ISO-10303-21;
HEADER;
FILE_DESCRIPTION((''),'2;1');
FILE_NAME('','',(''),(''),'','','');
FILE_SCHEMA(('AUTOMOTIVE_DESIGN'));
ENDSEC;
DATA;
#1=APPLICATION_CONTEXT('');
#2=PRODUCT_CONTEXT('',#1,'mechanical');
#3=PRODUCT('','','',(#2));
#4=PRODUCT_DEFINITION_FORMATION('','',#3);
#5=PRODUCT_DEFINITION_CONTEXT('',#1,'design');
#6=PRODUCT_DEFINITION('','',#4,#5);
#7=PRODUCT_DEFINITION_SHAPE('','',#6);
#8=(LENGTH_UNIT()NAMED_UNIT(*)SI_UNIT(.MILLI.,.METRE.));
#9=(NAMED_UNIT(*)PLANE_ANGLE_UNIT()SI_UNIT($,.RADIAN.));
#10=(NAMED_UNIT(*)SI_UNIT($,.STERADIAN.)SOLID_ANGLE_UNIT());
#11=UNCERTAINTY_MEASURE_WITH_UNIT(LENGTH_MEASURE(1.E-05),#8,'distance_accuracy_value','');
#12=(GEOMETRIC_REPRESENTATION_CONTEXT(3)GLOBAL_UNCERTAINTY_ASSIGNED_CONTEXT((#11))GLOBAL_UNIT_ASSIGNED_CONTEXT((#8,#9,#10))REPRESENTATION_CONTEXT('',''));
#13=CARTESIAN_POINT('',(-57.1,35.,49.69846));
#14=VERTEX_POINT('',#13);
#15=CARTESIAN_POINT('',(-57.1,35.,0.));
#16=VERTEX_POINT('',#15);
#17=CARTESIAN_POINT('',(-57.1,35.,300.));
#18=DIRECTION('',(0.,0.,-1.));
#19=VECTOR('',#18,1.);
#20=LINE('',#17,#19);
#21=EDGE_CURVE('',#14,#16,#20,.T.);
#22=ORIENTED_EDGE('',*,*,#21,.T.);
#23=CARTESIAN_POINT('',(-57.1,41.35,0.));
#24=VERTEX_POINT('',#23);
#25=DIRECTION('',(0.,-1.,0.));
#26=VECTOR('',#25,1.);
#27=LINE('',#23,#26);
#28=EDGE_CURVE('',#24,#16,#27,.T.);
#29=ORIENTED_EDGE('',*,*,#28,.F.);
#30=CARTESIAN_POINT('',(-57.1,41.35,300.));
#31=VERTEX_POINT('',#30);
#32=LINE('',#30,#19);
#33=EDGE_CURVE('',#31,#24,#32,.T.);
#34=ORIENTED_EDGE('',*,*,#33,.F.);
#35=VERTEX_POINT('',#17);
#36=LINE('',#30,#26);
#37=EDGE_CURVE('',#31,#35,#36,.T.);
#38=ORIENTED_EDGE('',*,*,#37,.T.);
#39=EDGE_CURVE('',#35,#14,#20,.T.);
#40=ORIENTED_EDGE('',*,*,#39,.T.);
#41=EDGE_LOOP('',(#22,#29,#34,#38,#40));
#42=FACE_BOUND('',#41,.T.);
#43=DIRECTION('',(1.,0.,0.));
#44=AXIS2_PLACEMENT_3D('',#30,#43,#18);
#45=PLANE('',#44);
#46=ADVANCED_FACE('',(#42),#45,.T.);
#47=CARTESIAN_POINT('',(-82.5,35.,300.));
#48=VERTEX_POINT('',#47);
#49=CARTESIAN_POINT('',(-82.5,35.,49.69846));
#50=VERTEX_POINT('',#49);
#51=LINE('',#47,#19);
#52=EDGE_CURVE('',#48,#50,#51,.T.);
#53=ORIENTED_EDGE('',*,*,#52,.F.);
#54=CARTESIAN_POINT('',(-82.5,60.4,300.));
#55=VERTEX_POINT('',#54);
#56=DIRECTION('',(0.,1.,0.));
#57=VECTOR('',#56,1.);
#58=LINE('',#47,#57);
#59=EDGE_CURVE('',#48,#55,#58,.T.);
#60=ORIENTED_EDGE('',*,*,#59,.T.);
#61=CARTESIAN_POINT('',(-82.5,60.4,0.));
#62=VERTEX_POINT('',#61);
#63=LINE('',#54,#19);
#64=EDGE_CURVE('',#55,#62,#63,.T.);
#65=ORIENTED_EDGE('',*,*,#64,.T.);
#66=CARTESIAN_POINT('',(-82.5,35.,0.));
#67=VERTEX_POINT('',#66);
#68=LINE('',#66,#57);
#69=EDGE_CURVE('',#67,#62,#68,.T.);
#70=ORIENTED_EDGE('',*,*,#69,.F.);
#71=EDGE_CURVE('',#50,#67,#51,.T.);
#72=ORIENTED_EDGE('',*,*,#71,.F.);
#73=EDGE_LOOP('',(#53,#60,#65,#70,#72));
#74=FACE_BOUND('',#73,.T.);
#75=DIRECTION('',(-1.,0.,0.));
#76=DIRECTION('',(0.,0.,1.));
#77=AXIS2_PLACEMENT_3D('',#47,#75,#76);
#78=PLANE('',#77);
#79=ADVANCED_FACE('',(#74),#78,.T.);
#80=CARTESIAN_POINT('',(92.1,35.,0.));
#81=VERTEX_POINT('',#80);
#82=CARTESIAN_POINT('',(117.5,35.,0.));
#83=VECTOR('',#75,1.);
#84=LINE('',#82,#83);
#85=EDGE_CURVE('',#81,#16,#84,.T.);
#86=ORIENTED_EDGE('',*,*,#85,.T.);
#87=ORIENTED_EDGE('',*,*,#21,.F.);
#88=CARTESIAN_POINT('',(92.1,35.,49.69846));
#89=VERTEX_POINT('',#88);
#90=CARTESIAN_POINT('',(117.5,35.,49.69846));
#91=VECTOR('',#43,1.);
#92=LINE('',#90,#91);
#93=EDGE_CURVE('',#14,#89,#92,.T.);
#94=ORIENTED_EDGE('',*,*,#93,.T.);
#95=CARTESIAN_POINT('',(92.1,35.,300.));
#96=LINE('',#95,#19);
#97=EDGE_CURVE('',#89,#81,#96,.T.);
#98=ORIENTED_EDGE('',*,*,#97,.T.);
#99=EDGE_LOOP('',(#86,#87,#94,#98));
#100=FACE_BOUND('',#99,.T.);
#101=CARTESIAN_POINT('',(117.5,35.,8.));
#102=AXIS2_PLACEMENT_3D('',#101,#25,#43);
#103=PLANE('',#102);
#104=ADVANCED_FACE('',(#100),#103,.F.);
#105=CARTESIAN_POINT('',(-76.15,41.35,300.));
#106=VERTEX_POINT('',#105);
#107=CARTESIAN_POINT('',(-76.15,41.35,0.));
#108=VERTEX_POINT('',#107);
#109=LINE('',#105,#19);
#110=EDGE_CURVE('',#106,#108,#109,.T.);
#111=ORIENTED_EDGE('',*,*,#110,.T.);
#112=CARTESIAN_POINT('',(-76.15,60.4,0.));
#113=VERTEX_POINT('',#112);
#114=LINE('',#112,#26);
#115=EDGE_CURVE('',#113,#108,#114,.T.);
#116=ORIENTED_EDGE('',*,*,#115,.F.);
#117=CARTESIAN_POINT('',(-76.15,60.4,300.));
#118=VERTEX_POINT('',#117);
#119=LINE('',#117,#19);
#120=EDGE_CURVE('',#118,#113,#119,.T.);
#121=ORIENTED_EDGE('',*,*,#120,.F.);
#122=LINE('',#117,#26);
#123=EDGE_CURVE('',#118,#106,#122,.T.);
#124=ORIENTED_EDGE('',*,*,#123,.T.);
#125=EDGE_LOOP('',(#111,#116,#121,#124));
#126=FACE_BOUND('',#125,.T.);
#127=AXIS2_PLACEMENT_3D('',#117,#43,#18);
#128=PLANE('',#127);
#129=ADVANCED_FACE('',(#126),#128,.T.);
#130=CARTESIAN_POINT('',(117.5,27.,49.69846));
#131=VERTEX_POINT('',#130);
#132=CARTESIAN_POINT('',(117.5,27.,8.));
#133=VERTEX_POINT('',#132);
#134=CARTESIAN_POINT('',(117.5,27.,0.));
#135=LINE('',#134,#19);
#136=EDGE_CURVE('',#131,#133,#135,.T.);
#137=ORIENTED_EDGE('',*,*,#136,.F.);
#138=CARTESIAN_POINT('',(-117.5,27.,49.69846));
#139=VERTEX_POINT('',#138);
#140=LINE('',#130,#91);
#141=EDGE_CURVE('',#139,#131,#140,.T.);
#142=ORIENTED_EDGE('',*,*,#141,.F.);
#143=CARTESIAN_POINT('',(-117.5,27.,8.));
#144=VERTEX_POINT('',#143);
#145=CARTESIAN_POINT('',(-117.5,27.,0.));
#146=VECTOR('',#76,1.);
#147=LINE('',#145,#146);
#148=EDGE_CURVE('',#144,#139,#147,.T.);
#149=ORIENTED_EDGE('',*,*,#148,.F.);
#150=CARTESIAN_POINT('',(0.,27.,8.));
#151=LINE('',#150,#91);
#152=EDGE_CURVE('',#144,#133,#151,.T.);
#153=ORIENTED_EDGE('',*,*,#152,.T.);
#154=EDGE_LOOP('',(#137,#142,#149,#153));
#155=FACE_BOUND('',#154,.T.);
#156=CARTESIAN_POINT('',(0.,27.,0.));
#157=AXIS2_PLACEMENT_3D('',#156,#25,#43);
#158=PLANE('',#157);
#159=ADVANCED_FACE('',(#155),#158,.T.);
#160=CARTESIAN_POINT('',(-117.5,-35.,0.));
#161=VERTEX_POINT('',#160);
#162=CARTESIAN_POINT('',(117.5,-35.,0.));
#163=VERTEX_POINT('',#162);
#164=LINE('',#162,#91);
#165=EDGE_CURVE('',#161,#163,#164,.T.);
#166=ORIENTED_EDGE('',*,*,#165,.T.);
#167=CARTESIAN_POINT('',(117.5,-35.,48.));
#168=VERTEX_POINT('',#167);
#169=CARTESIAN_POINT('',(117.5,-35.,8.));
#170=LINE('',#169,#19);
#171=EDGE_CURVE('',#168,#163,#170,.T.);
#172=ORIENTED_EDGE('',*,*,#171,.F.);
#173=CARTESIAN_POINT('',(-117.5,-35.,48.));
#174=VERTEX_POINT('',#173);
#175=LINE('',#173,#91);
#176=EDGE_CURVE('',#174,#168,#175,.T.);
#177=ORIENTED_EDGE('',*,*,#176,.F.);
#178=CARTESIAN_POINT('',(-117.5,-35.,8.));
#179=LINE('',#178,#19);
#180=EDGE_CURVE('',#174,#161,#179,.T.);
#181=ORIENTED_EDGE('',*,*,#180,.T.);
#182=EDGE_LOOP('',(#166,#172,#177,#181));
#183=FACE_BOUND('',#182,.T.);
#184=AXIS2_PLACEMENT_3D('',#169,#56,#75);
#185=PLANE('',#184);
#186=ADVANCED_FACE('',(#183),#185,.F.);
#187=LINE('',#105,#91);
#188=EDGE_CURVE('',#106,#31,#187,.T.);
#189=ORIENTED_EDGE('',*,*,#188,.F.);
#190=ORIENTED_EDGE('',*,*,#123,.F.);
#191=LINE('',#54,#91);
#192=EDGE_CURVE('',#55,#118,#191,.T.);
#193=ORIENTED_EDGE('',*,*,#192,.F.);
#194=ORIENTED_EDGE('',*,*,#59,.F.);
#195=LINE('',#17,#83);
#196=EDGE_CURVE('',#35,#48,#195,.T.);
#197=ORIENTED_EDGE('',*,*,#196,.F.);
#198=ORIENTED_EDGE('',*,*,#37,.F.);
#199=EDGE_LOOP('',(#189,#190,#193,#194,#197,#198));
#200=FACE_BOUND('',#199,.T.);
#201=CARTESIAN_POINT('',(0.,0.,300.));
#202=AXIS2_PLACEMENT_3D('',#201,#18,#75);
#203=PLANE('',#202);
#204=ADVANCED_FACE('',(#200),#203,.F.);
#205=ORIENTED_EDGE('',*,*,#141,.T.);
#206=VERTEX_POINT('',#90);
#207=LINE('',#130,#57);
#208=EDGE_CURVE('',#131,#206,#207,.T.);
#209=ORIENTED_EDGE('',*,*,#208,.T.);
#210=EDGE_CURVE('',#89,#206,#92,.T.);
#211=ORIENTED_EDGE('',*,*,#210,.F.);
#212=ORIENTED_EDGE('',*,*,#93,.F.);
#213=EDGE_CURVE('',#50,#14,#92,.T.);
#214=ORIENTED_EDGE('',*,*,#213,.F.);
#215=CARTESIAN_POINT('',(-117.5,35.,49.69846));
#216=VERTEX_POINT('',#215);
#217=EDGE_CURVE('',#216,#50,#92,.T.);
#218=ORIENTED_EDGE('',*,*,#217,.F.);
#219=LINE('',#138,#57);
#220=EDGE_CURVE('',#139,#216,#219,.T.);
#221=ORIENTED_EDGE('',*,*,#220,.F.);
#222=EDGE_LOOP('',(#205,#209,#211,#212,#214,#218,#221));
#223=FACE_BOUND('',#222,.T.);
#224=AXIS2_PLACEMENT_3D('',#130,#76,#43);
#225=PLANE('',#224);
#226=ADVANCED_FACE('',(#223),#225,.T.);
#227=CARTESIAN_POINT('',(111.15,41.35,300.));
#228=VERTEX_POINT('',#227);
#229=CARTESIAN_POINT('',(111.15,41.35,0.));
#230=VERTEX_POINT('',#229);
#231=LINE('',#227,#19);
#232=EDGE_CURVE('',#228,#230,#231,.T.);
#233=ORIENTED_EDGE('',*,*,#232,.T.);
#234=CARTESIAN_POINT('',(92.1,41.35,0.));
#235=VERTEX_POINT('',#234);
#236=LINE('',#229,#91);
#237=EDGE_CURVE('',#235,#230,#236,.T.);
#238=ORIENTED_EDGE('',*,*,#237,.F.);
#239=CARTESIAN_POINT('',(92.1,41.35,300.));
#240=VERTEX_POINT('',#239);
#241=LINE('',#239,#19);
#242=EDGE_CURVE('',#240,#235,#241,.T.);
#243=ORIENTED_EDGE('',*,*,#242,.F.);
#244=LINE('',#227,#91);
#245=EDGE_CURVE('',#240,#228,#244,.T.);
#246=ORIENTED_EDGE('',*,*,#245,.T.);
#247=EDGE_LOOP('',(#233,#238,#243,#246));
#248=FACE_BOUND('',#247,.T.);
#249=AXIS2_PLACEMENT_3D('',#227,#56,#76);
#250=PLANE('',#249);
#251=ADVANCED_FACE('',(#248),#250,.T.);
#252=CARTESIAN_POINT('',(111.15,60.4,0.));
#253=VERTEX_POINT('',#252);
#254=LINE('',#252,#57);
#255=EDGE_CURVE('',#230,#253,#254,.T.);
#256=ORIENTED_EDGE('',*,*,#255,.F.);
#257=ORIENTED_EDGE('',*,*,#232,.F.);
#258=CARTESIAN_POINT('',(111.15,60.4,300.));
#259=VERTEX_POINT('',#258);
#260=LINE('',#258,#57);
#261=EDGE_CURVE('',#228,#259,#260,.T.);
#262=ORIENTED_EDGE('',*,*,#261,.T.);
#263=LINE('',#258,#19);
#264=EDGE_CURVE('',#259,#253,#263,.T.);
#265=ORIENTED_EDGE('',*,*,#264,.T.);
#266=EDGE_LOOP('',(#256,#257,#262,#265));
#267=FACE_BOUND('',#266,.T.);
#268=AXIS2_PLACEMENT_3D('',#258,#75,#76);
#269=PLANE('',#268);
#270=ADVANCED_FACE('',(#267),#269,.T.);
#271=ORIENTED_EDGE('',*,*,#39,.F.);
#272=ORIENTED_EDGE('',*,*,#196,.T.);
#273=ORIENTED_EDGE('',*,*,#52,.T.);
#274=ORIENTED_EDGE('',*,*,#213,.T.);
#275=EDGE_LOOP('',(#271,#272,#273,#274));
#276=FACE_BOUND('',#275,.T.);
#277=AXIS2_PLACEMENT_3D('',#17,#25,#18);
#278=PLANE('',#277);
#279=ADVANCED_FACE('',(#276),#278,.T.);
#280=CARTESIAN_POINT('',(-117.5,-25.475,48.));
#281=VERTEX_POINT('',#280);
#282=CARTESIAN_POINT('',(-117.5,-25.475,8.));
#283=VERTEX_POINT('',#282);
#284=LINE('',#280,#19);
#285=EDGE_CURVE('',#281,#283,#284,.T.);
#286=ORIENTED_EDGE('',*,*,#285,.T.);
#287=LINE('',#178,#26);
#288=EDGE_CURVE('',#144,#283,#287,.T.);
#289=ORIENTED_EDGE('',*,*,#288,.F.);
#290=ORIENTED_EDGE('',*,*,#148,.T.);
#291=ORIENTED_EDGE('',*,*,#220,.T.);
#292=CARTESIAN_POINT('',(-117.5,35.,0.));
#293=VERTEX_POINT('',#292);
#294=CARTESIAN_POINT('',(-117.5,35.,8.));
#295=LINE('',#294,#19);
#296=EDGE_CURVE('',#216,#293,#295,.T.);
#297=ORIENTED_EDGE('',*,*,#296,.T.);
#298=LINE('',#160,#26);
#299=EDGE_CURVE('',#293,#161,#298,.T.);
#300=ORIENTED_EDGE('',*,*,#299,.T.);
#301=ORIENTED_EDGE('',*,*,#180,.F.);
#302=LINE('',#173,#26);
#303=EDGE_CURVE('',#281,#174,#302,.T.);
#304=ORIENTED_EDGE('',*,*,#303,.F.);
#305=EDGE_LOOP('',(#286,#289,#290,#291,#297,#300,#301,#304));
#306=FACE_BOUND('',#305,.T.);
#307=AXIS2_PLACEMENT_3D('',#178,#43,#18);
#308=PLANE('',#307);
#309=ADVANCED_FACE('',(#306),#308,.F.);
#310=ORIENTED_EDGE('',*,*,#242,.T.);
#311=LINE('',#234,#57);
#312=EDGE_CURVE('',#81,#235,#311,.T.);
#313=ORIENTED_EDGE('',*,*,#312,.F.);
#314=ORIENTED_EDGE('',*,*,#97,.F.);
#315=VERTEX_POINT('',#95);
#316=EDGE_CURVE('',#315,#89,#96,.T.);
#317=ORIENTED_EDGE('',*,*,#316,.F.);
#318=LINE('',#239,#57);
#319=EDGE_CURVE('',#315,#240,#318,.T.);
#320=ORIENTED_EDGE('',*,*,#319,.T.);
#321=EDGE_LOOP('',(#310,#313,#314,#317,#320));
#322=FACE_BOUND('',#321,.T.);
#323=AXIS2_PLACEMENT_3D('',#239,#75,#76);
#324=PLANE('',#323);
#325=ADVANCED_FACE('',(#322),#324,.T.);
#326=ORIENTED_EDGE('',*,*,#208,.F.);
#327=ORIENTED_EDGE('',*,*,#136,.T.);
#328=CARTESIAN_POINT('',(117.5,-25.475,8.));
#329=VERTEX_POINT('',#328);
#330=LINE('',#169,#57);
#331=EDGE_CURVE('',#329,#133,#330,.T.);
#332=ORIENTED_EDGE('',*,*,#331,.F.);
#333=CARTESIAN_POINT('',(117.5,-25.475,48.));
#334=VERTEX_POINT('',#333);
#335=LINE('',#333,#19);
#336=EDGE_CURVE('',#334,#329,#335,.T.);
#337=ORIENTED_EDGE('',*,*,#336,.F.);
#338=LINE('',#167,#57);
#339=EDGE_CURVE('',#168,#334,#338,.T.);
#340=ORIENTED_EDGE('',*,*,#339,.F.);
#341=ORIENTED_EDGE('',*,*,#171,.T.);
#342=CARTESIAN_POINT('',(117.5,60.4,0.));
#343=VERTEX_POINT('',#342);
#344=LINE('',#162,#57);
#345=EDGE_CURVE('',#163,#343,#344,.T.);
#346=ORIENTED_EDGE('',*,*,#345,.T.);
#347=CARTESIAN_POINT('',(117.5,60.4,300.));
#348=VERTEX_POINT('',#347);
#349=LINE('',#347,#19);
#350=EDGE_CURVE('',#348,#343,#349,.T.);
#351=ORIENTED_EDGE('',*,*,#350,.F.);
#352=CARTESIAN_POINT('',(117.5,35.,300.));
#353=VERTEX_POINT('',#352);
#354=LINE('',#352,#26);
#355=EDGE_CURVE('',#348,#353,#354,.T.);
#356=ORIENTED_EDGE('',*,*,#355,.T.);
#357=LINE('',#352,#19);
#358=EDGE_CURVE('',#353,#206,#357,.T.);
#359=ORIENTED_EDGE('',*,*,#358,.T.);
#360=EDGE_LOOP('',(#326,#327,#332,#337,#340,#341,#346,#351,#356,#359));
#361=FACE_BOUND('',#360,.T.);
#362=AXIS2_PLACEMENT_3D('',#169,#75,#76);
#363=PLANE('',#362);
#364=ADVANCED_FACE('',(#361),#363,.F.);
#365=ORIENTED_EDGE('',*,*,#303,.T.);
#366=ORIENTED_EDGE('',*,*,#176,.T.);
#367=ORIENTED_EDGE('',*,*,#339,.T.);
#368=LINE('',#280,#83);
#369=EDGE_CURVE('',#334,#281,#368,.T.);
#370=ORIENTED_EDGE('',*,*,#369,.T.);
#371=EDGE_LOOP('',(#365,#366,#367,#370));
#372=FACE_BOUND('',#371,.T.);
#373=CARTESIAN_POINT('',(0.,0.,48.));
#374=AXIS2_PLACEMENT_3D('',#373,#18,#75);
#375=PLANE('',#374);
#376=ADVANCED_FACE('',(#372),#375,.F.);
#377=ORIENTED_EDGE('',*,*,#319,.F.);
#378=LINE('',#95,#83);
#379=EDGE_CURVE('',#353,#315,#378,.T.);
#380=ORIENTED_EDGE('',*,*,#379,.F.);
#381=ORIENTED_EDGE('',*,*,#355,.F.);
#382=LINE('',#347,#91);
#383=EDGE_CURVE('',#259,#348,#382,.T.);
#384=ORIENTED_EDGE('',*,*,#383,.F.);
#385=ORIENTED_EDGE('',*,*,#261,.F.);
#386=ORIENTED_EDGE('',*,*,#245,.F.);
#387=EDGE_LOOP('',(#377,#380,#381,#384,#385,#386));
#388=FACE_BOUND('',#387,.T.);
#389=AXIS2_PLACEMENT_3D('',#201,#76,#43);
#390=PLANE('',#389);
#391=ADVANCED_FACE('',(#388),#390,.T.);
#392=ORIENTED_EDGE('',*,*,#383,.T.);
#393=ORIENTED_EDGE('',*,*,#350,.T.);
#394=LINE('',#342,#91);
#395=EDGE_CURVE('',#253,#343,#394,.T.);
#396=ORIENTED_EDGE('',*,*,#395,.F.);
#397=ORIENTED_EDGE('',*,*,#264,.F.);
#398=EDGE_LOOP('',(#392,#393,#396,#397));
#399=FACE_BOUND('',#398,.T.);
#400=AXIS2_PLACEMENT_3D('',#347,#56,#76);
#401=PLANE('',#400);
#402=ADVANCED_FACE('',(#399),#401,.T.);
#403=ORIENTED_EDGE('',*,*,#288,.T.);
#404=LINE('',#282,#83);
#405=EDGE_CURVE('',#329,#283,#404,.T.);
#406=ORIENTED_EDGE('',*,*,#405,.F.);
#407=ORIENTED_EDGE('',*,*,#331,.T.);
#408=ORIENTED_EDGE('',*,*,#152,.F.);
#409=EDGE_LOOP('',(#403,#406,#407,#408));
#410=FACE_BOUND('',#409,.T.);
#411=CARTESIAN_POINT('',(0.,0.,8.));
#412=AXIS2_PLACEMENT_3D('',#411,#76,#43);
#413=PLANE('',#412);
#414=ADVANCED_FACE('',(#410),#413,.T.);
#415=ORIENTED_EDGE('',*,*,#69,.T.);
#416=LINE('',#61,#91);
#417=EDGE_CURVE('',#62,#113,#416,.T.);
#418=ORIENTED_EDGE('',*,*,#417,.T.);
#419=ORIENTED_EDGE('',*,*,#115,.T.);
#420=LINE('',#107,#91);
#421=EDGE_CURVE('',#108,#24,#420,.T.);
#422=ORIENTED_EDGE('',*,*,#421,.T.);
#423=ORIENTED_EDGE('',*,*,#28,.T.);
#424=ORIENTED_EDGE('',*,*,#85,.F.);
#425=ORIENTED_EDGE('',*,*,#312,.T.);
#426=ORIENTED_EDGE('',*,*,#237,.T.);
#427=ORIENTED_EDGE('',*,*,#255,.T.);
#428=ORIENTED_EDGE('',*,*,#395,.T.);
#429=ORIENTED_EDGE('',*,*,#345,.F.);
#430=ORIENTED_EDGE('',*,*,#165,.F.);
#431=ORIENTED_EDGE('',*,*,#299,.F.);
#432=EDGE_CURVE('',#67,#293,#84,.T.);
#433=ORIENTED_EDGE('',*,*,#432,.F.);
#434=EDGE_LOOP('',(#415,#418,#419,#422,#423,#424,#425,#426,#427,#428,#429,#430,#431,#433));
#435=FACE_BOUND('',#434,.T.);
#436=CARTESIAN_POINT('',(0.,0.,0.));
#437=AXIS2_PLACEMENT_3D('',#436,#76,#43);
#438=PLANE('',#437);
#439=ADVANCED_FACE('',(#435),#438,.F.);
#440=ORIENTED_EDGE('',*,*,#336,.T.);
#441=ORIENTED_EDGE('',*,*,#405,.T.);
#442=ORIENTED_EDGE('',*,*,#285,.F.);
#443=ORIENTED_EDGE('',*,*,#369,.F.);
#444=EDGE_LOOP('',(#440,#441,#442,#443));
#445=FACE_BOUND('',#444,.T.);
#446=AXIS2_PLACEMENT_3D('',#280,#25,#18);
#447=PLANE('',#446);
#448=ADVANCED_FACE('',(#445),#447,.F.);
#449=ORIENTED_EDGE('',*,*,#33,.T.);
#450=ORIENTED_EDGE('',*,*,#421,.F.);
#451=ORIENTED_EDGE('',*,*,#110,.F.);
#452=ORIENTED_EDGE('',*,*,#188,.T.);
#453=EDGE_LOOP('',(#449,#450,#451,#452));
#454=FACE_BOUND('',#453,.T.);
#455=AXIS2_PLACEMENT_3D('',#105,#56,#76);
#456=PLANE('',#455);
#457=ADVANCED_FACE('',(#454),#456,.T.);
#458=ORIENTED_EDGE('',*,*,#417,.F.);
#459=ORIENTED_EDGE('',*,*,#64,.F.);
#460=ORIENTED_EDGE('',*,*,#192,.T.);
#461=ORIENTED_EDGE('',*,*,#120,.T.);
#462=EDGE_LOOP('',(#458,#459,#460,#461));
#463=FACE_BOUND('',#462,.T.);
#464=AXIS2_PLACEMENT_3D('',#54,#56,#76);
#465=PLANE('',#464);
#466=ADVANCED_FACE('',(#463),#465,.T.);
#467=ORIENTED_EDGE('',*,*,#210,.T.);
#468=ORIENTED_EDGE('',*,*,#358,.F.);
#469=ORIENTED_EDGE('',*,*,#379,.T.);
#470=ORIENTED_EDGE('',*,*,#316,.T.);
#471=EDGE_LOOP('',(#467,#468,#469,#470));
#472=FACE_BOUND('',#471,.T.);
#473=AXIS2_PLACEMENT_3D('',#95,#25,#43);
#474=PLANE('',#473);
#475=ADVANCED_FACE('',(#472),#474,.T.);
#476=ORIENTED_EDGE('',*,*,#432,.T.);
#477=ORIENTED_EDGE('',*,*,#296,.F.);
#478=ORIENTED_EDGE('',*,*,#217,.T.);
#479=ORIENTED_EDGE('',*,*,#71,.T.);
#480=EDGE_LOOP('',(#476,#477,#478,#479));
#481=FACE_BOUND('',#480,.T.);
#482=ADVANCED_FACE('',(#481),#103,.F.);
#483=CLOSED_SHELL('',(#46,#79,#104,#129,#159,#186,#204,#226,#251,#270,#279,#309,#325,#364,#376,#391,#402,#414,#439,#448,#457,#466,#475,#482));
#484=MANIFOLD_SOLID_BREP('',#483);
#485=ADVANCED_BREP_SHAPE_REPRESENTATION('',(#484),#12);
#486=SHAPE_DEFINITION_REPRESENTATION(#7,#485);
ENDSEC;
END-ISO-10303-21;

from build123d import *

# Parameters (mm, degrees)
CROQUIS1_W              = 235
CROQUIS1_H              = 70
SALIENTE_EXTRUIR1_DEPTH = 8
CROQUIS2_W              = 235
CROQUIS2_H              = 49.698460378
SALIENTE_EXTRUIR2_DEPTH = 8
SALIENTE_EXTRUIR3_DEPTH = 300
CROQUIS4_W              = 235
CROQUIS4_H              = 9.525
SALIENTE_EXTRUIR4_DEPTH = 40


with BuildPart() as part:
    # Croquis1 → Saliente-Extruir1 (new body)
    with BuildSketch(Plane.XY):
        Rectangle(CROQUIS1_W, CROQUIS1_H)
    extrude(amount=SALIENTE_EXTRUIR1_DEPTH)

    # Croquis2 → Saliente-Extruir2 (add)
    with BuildSketch(Plane(origin=(0, 35, 0), x_dir=(1, 0, 0), z_dir=(0, 1, 0))):
        with Locations((0, -24.849230189)):
            Rectangle(CROQUIS2_W, CROQUIS2_H)
    extrude(amount=-SALIENTE_EXTRUIR2_DEPTH)

    # Croquis3 → Saliente-Extruir3 (add)
    with BuildSketch(Plane(origin=(0, 0, 0), x_dir=(-1, 0, 0), z_dir=(0, 0, -1))):
        Polygon((-117.5, 35), (-117.5, 60.4), (-111.15, 60.4), (-111.15, 41.35), (-92.1, 41.35), (-92.1, 35), align=None)
        Polygon((57.1, 35), (82.5, 35), (82.5, 60.4), (76.15, 60.4), (76.15, 41.35), (57.1, 41.35), align=None)
    extrude(amount=-SALIENTE_EXTRUIR3_DEPTH)

    # Croquis4 → Saliente-Extruir4 (add)
    with BuildSketch(Plane.XY.offset(8)):
        with Locations((0, -30.2375)):
            Rectangle(CROQUIS4_W, CROQUIS4_H)
    extrude(amount=SALIENTE_EXTRUIR4_DEPTH)


solid = part.part
